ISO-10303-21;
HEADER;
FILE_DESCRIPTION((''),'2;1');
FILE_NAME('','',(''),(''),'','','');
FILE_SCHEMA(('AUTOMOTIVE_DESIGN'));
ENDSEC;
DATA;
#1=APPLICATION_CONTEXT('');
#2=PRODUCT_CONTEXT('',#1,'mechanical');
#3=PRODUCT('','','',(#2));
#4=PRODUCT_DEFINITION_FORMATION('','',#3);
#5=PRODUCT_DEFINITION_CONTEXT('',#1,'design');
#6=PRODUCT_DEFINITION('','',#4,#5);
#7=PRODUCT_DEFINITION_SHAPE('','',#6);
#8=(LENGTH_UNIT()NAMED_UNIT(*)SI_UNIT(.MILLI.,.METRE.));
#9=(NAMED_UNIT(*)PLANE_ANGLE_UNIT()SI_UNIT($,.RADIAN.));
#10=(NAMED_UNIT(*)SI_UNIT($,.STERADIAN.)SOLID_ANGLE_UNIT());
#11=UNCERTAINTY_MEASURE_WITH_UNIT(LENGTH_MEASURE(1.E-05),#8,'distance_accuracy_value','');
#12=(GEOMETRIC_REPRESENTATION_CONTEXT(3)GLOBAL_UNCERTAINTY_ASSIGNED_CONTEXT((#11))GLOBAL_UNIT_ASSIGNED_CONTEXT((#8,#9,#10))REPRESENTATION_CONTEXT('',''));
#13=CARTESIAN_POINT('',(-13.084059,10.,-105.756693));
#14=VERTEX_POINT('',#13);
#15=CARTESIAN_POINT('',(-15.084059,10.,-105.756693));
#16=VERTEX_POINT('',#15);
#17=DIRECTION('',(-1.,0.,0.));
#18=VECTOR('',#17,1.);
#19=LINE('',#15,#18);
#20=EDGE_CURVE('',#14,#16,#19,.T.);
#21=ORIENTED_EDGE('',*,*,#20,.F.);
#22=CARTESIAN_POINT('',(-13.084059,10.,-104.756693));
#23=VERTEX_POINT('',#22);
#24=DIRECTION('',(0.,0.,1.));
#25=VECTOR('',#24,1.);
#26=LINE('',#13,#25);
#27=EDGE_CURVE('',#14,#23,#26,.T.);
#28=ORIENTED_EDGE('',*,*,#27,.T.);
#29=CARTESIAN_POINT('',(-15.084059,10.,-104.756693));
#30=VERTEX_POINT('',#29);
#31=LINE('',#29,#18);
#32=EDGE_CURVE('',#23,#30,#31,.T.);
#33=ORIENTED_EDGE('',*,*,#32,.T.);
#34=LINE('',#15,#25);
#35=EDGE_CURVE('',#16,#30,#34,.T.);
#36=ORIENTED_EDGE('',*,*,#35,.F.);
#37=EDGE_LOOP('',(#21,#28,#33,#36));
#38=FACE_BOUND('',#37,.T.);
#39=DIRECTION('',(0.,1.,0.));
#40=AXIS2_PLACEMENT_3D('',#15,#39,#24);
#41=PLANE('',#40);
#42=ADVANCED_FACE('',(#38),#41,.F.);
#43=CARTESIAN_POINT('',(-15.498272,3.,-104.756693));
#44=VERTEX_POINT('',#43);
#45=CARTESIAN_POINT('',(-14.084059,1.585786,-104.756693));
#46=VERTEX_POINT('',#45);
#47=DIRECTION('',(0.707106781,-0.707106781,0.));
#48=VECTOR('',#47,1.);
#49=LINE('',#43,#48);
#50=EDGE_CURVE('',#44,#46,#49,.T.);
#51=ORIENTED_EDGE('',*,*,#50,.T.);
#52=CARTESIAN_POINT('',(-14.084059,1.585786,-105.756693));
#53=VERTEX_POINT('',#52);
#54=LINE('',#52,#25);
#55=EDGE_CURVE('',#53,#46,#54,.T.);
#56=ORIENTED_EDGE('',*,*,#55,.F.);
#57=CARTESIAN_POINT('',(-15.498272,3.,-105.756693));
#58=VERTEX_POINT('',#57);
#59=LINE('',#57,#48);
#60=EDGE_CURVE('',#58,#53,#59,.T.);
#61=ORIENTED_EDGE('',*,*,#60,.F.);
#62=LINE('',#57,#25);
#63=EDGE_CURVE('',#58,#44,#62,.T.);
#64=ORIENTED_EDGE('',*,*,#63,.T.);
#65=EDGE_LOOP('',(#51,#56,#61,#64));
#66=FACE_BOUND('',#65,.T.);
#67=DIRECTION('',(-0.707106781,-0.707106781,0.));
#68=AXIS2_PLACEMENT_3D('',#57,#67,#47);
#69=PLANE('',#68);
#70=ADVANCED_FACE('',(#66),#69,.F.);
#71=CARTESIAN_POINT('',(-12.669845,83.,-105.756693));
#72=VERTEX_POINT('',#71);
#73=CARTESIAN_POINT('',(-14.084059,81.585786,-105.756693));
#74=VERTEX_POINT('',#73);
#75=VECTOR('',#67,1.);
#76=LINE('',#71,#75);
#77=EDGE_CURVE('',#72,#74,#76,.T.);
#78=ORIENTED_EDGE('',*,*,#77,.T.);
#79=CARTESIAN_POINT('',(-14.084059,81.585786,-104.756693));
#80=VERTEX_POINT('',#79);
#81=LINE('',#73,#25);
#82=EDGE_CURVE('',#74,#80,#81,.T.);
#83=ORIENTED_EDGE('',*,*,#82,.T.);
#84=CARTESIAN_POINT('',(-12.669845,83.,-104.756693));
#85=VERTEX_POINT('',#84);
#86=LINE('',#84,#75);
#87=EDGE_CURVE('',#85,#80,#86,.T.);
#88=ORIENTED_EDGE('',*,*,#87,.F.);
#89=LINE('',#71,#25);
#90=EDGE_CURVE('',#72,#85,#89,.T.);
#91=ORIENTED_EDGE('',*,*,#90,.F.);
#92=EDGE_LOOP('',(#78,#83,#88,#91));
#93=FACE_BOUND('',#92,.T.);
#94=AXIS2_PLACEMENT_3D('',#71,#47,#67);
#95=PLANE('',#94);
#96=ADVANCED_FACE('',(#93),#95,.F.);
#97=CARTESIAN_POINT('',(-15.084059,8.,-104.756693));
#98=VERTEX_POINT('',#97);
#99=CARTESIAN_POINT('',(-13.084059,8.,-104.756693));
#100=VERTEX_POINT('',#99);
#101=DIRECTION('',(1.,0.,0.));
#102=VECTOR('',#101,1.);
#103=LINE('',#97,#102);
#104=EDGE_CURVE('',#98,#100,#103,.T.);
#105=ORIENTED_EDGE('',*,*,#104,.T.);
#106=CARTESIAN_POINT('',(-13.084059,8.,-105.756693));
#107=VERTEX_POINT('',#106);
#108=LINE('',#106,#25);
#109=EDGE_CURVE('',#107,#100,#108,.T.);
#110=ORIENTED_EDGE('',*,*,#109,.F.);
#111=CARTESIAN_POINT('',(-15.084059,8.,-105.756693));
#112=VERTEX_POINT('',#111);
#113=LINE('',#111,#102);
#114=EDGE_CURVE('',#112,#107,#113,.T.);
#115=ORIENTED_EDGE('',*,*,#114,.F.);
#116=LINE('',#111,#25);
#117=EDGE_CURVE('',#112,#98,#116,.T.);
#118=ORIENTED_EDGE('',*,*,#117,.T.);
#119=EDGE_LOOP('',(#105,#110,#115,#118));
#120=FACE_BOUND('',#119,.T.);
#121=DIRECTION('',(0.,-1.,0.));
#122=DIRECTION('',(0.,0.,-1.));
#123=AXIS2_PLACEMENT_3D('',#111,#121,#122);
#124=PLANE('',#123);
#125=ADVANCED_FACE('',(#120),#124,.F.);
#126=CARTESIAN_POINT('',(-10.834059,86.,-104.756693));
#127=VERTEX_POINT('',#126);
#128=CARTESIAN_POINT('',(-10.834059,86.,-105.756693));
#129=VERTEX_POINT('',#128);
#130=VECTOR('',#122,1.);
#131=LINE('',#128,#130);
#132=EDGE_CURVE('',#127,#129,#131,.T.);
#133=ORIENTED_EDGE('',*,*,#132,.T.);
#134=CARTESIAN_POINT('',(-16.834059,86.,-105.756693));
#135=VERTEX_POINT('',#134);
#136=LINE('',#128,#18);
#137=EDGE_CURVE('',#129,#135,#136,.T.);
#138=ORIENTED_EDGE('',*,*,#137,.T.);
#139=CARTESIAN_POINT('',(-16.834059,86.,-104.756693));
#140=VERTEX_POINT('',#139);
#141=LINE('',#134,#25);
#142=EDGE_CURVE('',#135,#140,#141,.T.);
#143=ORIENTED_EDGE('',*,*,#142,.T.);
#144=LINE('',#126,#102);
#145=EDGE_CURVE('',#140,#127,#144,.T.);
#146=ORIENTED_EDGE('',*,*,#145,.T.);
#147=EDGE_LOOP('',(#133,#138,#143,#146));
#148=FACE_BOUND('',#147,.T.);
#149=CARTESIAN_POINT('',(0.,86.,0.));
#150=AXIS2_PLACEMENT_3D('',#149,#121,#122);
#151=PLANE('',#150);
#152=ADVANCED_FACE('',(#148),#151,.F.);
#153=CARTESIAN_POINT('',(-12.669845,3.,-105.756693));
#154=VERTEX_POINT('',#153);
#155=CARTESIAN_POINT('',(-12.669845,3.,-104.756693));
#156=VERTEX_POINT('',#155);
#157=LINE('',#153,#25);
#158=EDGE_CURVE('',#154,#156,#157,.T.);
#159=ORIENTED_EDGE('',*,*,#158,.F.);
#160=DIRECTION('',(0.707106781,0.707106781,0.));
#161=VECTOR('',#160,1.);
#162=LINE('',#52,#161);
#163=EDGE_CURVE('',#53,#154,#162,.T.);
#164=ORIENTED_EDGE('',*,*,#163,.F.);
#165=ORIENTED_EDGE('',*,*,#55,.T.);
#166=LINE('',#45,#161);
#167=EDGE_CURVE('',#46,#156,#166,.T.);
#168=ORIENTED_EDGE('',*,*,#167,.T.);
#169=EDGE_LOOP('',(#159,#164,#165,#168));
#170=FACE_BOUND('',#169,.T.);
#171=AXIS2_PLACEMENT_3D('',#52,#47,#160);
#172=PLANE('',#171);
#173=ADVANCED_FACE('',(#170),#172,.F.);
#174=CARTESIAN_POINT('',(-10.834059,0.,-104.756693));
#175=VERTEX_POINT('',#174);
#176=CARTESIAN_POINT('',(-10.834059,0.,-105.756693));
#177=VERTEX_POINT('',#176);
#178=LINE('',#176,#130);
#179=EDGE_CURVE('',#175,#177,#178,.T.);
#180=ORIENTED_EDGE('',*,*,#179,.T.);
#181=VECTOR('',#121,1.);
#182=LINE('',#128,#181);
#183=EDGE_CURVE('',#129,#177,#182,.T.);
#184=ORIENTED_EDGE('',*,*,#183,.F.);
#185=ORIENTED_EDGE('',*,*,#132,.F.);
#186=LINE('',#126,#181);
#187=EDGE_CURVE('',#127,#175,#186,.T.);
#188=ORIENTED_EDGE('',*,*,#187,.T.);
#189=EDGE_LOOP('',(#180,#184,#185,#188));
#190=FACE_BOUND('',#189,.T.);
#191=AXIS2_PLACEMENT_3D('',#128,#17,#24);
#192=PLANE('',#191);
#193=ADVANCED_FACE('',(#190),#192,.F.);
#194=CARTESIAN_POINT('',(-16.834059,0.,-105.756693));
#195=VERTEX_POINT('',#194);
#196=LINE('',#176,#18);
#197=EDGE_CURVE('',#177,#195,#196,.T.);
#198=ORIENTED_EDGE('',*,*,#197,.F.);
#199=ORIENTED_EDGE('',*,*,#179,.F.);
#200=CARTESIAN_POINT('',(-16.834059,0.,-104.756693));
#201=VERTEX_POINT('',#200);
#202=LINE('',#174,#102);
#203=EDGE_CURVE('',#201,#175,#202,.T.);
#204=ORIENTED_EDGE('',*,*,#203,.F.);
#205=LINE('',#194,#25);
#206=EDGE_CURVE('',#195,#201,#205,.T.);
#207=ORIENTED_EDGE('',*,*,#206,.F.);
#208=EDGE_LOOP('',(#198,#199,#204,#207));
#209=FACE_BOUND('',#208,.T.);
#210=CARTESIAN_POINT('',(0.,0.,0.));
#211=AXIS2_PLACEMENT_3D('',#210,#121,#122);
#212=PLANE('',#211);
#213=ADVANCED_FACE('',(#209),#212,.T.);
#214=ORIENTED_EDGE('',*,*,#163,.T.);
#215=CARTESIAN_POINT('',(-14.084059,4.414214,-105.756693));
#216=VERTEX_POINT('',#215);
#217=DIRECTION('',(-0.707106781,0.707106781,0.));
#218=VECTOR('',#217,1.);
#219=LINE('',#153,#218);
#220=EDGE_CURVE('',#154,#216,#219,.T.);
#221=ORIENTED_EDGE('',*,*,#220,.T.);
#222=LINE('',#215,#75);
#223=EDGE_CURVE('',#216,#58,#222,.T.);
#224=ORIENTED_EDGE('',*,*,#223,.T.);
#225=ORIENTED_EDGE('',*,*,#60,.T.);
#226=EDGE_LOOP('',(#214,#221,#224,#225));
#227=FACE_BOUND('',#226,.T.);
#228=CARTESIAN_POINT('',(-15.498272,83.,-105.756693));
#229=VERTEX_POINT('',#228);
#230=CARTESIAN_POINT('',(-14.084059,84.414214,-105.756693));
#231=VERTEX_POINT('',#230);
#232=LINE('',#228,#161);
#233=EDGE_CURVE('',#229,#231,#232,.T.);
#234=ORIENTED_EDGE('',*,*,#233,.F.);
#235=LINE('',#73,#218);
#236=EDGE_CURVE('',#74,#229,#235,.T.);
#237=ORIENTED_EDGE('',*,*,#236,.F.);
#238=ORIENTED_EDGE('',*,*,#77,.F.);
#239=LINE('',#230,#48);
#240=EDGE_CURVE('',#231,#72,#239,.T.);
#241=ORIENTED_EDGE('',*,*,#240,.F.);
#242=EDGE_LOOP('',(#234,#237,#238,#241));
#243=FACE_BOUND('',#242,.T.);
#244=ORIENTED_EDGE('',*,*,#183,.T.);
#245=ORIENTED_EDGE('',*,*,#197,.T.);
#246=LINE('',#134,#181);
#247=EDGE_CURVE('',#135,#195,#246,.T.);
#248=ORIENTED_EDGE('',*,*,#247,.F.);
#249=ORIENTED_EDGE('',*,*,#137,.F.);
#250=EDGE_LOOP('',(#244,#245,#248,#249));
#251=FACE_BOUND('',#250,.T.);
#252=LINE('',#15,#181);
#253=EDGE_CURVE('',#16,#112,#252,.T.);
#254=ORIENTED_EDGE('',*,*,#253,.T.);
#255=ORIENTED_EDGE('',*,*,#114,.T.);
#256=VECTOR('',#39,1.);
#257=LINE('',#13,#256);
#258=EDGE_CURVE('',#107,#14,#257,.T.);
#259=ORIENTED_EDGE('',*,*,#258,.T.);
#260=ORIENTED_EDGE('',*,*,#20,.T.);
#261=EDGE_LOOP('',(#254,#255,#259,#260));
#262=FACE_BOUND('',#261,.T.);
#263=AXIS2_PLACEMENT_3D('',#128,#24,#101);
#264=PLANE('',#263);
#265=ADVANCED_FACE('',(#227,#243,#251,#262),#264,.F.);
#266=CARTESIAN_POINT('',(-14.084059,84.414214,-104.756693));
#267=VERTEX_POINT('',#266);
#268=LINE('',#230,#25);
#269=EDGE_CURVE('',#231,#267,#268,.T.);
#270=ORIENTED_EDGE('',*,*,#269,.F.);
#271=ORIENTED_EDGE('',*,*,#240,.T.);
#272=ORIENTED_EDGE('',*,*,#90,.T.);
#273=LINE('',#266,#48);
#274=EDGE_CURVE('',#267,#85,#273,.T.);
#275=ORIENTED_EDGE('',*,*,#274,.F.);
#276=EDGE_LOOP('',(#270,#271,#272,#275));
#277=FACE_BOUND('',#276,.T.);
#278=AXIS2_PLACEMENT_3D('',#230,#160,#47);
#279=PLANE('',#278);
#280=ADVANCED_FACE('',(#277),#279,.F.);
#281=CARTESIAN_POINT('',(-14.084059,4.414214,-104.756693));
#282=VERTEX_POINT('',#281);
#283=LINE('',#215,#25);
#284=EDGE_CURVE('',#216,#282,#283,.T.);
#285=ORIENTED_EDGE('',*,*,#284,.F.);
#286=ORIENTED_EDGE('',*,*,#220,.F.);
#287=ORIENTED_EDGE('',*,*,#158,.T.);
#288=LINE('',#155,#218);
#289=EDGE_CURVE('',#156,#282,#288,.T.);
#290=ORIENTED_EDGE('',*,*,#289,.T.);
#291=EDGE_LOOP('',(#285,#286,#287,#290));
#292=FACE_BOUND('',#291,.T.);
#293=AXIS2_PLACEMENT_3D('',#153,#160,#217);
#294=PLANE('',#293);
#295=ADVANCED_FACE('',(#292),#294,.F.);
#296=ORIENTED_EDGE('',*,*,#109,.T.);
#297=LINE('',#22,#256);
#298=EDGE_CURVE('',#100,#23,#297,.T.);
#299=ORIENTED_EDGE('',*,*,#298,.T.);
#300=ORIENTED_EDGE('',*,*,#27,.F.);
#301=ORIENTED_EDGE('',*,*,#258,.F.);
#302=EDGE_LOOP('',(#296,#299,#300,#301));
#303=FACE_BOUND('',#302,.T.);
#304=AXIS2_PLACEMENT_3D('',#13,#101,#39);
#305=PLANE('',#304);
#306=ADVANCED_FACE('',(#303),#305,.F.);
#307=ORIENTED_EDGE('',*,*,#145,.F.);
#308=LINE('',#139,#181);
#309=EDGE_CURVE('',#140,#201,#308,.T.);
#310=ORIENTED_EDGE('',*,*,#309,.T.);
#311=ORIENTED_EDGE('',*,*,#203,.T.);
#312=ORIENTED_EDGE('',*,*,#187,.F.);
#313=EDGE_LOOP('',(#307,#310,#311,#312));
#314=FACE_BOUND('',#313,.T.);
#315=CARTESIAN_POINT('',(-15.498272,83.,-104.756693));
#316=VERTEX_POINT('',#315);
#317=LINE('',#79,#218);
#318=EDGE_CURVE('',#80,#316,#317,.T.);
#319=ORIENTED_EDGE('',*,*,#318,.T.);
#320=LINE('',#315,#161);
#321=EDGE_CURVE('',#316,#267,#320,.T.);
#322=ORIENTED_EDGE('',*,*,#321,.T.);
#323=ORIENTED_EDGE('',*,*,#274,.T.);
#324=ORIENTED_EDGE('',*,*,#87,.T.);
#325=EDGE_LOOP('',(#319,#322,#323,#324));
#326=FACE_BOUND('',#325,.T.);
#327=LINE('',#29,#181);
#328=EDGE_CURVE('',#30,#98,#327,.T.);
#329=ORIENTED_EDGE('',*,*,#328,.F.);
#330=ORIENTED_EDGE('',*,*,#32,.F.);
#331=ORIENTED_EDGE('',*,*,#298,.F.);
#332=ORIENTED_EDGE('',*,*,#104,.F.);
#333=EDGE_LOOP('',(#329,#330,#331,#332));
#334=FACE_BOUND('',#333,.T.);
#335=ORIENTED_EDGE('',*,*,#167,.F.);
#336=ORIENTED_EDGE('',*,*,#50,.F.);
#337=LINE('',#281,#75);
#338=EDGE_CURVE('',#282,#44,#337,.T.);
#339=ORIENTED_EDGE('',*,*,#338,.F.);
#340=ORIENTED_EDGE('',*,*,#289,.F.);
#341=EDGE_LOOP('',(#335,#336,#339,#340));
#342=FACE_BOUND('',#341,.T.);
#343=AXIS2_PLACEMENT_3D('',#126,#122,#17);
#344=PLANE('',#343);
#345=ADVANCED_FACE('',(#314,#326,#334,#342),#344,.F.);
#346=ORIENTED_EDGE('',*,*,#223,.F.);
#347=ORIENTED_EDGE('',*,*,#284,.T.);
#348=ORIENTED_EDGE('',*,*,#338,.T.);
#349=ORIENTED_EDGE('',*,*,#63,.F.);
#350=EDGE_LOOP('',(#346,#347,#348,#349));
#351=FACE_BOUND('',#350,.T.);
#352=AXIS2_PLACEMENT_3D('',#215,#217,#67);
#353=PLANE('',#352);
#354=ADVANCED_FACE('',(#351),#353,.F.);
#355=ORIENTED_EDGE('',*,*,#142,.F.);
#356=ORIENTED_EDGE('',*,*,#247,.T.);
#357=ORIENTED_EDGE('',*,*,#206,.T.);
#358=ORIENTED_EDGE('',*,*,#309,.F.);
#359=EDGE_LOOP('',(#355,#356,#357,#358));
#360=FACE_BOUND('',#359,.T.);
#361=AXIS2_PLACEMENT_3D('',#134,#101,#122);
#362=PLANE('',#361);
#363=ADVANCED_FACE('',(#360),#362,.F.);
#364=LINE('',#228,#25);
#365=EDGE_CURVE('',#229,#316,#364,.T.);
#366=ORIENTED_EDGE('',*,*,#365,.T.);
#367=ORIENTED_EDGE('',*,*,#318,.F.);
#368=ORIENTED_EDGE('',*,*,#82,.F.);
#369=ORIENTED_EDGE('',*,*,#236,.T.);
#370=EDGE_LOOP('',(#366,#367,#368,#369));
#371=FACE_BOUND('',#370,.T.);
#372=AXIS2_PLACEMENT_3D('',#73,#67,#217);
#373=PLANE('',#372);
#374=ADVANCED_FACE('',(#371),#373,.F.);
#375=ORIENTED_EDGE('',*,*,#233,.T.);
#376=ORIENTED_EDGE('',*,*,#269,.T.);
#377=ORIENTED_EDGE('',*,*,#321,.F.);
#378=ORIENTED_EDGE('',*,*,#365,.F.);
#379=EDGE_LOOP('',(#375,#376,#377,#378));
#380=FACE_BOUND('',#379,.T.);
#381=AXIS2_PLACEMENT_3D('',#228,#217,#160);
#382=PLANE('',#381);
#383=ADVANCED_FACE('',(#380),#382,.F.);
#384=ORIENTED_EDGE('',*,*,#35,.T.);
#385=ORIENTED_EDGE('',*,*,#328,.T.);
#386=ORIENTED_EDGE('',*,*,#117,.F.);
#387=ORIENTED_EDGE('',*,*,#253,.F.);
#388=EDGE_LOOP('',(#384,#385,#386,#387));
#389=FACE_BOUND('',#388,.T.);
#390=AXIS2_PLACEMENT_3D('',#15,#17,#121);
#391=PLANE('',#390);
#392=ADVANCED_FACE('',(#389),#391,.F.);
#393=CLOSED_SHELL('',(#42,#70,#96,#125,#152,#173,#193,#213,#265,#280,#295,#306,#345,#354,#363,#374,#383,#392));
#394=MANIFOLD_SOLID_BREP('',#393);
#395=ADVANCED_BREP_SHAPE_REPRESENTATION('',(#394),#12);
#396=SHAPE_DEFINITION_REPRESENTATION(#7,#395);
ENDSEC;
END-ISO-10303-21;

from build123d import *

# Parameters (mm, degrees)
PROFILE_SKETCH_W                  = 6
PROFILE_SKETCH_H                  = 1
PROFILE_EXTRUDE_DEPTH             = 86
FIDUCIAL_CUT_DEPTH                = 88.637808783
FIDUCIAL_1_INDICATOR_SKETCH_W     = 2
FIDUCIAL_1_INDICATOR_SKETCH_H     = 2
INDICATOR_OF_FIDUCIAL_1_CUT_DEPTH = 88.637808783


with BuildPart() as part:
    # Profile Sketch → Profile Extrude (new body)
    with BuildSketch(Plane(origin=(-13.83405858, 0, -105.75669297), x_dir=(-1, 0, 0), z_dir=(0, 1, 0))):
        with Locations((0, 0.5)):
            Rectangle(PROFILE_SKETCH_W, PROFILE_SKETCH_H)
    extrude(amount=PROFILE_EXTRUDE_DEPTH)

    # Fiducial Sketch → Fiducial Cut (cut, through all)
    with BuildSketch(Plane.XY.offset(-104.75669297)):
        Polygon((-12.669845017, 3), (-14.08405858, 4.414213562), (-15.498272142, 3), (-14.08405858, 1.585786438), align=None)
    fiducial_cut = extrude(amount=-FIDUCIAL_CUT_DEPTH, mode=Mode.SUBTRACT)

    # Fiducial Mirror: Fiducial Cut across plane
    add(fiducial_cut.mirror(Plane(origin=(0, 43, 0), x_dir=(0, 0, 1), z_dir=(0, -1, 0))), mode=Mode.SUBTRACT)

    # Fiducial 1 Indicator Sketch → Indicator of Fiducial 1 Cut (cut, through all)
    with BuildSketch(Plane.XY.offset(-104.75669297)):
        with Locations((-14.08405858, 9)):
            Rectangle(FIDUCIAL_1_INDICATOR_SKETCH_W, FIDUCIAL_1_INDICATOR_SKETCH_H)
    extrude(amount=-INDICATOR_OF_FIDUCIAL_1_CUT_DEPTH, mode=Mode.SUBTRACT)


solid = part.part
